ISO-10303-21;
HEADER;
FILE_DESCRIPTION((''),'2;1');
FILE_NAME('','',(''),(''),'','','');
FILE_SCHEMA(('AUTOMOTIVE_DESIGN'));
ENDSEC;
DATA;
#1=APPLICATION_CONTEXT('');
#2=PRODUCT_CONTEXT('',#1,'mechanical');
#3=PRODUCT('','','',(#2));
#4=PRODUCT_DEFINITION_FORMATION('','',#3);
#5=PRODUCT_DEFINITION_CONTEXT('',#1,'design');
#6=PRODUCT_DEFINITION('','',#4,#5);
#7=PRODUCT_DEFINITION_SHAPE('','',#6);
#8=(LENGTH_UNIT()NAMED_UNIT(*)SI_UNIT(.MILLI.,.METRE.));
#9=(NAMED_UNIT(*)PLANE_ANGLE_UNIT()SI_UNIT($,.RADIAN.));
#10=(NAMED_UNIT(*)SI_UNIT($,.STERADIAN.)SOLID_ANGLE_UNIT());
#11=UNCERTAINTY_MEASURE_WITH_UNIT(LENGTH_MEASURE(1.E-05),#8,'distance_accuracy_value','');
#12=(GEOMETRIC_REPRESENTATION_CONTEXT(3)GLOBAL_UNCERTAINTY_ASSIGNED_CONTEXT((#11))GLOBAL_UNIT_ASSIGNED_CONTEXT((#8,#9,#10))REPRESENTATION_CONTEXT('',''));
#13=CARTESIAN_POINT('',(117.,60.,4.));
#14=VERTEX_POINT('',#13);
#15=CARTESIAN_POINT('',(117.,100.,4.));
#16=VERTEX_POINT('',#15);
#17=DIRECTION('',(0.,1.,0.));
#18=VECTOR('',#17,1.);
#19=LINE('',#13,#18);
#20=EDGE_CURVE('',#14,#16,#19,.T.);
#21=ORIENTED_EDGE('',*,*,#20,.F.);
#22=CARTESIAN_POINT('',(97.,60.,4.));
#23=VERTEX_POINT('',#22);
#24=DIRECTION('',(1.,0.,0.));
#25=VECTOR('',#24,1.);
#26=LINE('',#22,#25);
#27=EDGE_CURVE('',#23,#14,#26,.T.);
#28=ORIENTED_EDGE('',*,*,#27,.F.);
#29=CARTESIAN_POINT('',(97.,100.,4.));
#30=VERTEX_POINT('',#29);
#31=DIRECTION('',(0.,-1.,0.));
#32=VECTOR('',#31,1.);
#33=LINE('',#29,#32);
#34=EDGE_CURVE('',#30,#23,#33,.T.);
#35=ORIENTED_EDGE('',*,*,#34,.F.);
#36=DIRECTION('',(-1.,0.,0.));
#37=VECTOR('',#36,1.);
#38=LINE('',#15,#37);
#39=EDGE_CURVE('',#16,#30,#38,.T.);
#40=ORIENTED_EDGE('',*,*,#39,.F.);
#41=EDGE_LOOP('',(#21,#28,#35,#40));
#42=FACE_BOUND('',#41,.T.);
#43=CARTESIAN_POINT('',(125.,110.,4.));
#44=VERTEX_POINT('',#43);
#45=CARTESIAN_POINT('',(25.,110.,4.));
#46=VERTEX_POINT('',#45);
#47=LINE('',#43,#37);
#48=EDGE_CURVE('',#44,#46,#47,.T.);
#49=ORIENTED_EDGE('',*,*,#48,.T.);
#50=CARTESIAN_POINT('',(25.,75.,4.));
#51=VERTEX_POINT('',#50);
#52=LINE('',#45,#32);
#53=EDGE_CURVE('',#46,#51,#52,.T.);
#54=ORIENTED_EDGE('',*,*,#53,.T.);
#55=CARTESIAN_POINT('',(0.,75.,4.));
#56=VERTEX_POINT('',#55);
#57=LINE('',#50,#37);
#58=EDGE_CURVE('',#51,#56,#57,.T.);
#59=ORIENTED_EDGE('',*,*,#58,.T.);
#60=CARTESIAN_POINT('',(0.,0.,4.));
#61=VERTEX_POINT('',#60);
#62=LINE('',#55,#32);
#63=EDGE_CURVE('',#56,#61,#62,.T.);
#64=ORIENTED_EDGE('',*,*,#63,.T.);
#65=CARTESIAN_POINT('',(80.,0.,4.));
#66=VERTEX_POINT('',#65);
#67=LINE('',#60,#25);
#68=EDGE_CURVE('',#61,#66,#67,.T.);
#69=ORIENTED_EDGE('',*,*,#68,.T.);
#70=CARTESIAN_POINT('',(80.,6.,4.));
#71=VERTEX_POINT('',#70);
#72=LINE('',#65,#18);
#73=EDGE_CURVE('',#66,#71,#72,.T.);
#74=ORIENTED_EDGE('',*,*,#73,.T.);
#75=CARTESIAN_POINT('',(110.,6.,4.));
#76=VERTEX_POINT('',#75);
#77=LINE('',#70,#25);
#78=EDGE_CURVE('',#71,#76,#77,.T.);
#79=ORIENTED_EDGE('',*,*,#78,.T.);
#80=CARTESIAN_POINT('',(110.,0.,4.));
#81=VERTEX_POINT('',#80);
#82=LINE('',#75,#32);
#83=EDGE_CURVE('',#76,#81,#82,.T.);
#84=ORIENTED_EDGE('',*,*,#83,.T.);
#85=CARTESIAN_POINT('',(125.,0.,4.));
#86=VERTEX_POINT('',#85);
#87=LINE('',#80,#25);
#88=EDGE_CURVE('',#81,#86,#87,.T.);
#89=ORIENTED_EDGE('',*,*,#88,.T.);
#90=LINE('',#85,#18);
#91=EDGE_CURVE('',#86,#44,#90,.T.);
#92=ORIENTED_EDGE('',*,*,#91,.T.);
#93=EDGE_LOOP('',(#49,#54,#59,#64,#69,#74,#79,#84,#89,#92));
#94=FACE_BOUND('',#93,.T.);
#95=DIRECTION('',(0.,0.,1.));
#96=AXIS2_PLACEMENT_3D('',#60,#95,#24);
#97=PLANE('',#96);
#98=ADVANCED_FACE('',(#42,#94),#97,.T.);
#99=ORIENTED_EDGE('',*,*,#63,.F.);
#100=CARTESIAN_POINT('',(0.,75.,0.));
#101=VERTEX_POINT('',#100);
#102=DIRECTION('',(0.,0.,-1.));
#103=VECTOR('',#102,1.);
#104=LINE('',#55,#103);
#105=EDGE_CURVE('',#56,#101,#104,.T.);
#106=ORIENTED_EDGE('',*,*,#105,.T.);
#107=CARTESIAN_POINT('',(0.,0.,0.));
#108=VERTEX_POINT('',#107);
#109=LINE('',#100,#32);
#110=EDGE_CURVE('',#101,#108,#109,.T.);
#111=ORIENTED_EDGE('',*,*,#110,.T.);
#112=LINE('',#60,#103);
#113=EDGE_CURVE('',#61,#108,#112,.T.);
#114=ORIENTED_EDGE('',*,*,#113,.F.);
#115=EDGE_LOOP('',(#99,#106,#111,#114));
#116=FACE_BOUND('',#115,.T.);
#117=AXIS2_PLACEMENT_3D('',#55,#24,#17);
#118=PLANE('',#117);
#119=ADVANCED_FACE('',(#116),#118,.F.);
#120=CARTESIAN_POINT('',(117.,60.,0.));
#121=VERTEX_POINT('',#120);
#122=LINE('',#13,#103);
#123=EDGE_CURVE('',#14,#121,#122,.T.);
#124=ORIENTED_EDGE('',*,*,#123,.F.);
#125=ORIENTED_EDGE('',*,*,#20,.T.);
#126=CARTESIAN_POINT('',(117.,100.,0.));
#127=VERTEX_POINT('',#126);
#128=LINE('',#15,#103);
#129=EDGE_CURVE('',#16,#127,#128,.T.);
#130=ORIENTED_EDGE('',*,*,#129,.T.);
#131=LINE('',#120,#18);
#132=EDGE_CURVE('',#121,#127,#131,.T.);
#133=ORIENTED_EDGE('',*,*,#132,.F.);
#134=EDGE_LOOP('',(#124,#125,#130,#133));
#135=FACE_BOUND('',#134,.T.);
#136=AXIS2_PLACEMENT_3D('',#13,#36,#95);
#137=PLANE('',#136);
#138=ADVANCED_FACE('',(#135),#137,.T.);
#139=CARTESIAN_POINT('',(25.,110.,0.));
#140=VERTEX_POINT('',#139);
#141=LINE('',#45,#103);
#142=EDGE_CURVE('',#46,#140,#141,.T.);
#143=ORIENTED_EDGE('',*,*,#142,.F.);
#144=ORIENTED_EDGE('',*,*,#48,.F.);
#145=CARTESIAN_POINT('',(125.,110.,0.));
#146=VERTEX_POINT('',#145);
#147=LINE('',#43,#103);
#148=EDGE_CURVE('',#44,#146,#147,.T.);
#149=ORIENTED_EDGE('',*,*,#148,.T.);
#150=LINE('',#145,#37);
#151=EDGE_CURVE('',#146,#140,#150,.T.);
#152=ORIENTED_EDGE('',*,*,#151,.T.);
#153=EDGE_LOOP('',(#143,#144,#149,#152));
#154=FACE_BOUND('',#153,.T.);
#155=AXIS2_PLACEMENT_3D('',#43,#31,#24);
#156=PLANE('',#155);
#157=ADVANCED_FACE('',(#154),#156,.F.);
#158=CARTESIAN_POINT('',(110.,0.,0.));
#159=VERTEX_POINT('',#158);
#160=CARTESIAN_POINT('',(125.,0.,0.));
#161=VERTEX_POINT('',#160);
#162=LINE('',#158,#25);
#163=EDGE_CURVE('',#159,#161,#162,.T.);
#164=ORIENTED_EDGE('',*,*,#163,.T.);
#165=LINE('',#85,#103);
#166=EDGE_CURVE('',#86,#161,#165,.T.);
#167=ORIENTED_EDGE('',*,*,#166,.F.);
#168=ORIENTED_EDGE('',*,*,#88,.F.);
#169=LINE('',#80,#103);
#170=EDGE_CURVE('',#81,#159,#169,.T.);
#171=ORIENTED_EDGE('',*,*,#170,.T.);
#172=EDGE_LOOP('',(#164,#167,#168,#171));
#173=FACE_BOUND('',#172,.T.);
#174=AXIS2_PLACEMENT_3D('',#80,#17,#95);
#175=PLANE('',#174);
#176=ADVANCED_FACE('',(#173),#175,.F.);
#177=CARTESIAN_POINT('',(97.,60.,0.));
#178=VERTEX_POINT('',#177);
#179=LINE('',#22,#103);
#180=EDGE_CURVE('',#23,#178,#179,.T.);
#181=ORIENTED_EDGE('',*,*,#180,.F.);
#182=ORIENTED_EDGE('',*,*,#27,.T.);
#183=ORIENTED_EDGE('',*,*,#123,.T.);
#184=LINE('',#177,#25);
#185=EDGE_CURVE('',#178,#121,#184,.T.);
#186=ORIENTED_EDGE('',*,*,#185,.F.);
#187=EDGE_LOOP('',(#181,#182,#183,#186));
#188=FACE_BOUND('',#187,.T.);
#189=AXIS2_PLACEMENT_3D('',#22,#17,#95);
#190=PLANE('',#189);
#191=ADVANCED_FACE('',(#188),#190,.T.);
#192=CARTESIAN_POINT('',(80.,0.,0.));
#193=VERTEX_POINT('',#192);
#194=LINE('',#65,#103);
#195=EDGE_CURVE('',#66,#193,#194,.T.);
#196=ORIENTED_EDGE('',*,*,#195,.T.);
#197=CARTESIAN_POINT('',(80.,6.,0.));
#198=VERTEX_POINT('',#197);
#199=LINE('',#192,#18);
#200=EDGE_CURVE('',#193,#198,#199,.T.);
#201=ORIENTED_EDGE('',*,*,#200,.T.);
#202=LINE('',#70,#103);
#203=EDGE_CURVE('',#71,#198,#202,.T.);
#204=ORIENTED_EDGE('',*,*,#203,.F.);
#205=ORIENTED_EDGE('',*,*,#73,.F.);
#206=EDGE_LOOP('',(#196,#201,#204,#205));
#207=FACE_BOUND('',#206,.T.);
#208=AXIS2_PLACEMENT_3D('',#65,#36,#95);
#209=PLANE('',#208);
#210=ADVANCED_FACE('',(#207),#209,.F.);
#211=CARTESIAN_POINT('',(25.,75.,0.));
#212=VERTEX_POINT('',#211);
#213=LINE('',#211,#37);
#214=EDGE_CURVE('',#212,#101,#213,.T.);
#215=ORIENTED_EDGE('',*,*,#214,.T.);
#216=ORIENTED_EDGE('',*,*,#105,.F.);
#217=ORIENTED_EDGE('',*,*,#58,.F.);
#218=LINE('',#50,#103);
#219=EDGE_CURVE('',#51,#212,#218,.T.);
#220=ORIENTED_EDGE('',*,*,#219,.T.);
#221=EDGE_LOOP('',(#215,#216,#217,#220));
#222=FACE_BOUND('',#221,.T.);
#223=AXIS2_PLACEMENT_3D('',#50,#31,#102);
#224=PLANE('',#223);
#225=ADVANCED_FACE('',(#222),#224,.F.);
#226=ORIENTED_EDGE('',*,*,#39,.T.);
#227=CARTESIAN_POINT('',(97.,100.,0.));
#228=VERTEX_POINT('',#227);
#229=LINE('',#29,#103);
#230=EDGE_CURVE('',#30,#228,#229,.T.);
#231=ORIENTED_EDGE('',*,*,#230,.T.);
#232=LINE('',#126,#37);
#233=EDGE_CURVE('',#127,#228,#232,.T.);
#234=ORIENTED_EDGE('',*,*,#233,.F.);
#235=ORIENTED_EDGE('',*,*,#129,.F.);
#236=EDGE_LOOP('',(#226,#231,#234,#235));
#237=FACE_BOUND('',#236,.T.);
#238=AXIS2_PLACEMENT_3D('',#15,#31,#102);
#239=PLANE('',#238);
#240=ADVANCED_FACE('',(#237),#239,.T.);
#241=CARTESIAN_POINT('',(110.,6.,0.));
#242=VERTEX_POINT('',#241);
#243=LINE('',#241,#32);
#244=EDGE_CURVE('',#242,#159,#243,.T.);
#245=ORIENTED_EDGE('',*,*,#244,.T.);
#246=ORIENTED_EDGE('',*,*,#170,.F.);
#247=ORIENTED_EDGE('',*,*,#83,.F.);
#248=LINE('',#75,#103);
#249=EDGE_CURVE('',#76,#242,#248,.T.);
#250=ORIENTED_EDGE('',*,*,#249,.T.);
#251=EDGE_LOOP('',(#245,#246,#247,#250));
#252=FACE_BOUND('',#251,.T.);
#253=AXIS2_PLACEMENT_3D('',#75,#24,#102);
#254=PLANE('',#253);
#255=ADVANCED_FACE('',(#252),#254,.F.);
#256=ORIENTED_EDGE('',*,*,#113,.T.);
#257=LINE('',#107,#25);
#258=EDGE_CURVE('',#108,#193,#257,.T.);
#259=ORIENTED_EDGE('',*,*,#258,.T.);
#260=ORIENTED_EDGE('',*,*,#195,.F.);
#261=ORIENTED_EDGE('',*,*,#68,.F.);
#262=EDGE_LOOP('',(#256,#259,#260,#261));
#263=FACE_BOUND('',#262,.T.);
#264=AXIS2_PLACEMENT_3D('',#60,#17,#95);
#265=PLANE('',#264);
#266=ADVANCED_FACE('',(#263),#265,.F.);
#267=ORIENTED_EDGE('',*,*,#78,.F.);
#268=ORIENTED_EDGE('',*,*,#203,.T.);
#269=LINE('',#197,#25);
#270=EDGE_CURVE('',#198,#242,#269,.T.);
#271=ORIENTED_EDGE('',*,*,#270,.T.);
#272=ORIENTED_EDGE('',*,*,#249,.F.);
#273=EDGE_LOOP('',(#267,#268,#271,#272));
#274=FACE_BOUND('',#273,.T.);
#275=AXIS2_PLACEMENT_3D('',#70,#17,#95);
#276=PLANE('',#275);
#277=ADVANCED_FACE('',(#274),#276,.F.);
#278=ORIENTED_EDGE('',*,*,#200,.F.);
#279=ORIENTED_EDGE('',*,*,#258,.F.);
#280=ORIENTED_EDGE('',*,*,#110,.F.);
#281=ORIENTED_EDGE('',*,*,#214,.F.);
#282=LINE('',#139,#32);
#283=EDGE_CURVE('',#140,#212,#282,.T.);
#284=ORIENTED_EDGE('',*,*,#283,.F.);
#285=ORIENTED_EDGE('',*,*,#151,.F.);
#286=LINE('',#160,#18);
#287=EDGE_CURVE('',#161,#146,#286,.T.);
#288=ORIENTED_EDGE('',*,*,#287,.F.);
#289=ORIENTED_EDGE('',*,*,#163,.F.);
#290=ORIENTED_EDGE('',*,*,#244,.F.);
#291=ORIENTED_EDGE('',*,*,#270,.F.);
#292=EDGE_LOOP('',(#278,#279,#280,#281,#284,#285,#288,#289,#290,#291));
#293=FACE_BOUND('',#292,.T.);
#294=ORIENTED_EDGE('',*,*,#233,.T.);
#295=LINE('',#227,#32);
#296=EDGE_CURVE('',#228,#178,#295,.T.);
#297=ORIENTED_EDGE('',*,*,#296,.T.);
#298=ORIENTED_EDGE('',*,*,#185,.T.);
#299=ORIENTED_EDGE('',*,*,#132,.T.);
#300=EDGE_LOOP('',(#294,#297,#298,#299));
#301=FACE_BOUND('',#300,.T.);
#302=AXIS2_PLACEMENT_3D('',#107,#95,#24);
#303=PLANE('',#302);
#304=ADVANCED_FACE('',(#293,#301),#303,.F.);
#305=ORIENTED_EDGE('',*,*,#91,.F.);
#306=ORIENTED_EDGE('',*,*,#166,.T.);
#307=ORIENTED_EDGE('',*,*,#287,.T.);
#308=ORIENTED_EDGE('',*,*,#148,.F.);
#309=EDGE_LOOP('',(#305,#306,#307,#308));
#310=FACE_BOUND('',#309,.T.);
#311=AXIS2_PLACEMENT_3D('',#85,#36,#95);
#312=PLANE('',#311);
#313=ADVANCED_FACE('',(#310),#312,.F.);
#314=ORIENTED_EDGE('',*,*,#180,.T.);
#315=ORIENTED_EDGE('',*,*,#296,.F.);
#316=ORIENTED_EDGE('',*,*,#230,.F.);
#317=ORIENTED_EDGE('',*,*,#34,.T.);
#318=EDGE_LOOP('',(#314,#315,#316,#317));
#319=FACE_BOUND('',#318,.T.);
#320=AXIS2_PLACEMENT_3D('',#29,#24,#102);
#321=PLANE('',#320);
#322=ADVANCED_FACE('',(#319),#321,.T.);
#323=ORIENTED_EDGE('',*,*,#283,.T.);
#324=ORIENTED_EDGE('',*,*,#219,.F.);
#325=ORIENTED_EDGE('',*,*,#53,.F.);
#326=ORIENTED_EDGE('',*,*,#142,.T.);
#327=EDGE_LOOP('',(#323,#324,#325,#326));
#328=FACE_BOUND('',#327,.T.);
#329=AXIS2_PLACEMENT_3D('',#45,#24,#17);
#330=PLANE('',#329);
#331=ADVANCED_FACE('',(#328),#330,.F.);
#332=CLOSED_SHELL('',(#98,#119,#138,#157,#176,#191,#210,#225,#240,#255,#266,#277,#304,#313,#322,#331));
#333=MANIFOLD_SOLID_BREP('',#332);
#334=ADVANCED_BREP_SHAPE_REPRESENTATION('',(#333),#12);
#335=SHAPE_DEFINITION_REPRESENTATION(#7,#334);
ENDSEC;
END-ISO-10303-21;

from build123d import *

# Parameters (mm, degrees)
SKIZZE1_W                       = 20
SKIZZE1_H                       = 40
AUFSATZ_LINEAR_AUSTRAGEN1_DEPTH = 4


with BuildPart() as part:
    # Skizze1 → Aufsatz-Linear austragen1 (new body)
    with BuildSketch(Plane.XY):
        Polygon((0, 0), (80, 0), (80, 6), (110, 6), (110, 0), (125, 0), (125, 110), (25, 110), (25, 75), (0, 75), align=None)
        with Locations((107, 80)):
            Rectangle(SKIZZE1_W, SKIZZE1_H, mode=Mode.SUBTRACT)
    extrude(amount=AUFSATZ_LINEAR_AUSTRAGEN1_DEPTH)


solid = part.part
